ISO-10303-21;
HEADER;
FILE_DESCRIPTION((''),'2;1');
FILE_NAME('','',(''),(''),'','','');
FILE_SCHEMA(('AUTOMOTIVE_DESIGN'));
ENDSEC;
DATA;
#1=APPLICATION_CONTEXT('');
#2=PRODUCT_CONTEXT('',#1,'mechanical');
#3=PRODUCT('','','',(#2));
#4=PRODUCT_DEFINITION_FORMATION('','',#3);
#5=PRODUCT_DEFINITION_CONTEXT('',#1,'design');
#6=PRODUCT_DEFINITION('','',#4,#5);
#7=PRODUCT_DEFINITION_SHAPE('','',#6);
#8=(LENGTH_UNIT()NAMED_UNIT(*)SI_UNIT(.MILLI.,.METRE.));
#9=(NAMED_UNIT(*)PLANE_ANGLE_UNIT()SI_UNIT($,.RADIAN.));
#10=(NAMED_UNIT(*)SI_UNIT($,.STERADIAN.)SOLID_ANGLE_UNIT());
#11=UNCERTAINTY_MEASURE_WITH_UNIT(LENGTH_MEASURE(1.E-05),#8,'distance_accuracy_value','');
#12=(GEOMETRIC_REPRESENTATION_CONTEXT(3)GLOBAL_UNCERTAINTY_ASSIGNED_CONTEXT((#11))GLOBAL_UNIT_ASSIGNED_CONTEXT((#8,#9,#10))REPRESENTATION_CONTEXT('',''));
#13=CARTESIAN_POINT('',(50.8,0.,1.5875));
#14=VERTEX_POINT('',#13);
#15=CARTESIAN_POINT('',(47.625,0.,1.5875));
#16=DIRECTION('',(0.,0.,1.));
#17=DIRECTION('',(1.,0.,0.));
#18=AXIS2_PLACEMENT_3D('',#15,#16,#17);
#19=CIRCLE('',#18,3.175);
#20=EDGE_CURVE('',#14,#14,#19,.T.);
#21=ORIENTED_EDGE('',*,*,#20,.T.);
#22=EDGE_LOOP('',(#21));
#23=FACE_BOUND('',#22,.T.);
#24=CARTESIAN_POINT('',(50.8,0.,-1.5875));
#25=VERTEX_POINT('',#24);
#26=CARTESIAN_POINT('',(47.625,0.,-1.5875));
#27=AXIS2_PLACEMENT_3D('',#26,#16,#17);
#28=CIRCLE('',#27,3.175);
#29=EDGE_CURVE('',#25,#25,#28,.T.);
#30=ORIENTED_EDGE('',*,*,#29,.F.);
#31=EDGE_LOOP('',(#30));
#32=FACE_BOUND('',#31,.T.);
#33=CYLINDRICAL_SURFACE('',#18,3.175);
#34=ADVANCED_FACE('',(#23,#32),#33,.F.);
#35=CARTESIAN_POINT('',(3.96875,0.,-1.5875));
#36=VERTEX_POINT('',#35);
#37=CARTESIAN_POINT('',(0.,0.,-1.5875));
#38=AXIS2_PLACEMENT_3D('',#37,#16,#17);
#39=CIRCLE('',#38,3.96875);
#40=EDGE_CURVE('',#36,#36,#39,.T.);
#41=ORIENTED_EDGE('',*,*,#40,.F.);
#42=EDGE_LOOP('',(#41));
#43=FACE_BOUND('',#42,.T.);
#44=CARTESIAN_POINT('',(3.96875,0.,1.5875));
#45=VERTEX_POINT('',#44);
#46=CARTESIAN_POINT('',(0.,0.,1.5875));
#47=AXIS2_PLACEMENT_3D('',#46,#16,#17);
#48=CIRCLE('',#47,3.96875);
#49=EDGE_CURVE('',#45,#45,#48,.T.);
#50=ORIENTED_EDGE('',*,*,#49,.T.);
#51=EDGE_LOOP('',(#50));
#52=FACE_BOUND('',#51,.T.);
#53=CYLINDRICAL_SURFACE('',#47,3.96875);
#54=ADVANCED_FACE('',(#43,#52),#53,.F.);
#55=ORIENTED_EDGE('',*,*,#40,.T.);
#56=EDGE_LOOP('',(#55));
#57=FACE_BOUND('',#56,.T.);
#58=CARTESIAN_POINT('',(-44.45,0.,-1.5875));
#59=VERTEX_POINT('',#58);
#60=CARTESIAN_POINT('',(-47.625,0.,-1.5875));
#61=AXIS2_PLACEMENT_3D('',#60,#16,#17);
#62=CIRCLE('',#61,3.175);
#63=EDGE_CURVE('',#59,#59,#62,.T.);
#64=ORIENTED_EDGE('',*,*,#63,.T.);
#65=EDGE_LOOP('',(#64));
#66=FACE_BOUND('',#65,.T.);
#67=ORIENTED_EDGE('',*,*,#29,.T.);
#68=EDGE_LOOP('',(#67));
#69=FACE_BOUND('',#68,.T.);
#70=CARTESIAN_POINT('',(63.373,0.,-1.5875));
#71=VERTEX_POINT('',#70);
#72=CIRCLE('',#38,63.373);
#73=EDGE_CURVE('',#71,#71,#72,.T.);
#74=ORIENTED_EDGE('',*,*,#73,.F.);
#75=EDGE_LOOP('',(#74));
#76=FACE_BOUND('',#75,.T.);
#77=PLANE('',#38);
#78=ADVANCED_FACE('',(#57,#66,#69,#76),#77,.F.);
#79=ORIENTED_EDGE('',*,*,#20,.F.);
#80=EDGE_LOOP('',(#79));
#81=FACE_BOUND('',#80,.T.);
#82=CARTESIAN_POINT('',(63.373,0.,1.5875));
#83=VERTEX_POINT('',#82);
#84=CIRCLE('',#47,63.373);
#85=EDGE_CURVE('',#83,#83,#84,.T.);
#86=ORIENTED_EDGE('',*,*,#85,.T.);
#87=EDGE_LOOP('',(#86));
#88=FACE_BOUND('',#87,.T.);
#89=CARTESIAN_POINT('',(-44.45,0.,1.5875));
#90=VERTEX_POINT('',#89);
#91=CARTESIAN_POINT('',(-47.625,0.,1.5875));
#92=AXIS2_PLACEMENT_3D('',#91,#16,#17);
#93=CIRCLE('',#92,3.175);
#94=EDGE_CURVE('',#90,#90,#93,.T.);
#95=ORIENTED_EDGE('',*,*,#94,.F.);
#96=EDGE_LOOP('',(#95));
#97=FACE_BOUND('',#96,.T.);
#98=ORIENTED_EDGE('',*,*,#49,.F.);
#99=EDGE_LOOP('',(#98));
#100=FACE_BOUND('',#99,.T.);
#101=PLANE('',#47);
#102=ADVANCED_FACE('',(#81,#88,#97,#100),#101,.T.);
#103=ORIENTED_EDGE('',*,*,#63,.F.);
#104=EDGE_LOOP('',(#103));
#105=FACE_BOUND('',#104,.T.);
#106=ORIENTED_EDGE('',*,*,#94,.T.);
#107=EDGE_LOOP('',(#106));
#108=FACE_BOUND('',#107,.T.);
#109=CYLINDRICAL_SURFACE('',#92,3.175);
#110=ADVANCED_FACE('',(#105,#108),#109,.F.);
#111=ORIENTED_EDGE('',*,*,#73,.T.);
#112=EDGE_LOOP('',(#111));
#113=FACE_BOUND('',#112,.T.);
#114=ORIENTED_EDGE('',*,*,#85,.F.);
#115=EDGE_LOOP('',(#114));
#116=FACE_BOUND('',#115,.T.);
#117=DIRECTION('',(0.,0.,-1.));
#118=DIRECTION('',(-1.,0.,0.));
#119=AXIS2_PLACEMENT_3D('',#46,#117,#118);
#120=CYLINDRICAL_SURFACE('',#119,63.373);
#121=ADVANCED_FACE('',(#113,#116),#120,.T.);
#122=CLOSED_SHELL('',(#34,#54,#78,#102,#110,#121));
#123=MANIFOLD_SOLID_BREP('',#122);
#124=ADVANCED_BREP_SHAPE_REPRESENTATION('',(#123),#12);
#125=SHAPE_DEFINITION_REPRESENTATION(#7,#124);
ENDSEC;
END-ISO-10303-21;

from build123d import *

# Parameters (mm, degrees)
SKETCH1_R                          = 63.373
BOSS_EXTRUDE1_DEPTH                = 1.5875
F_1_4_0_25_DIAMETER_HOLE1_D        = 6.35
F_5_16_0_3125_DIAMETER_HOLE1_D     = 7.9375
F_5_16_0_3125_DIAMETER_HOLE1_DEPTH = 3.302


with BuildPart() as part:
    # Sketch1 → Boss-Extrude1 (new body, symmetric)
    with BuildSketch(Plane.XY):
        Circle(SKETCH1_R)
    extrude(amount=BOSS_EXTRUDE1_DEPTH, both=True)

    # 1/4 (0.25) Diameter Hole1 (through all)
    with Locations(Plane.XY.offset(1.5875)):
        with Locations((-47.625, 0), (47.625, 0)):
            Hole(F_1_4_0_25_DIAMETER_HOLE1_D / 2)

    # 5/16 (0.3125) Diameter Hole1
    with Locations(Plane.XY.offset(1.5875)):
        with Locations((0, 0)):
            Hole(F_5_16_0_3125_DIAMETER_HOLE1_D / 2, depth=F_5_16_0_3125_DIAMETER_HOLE1_DEPTH)


solid = part.part
